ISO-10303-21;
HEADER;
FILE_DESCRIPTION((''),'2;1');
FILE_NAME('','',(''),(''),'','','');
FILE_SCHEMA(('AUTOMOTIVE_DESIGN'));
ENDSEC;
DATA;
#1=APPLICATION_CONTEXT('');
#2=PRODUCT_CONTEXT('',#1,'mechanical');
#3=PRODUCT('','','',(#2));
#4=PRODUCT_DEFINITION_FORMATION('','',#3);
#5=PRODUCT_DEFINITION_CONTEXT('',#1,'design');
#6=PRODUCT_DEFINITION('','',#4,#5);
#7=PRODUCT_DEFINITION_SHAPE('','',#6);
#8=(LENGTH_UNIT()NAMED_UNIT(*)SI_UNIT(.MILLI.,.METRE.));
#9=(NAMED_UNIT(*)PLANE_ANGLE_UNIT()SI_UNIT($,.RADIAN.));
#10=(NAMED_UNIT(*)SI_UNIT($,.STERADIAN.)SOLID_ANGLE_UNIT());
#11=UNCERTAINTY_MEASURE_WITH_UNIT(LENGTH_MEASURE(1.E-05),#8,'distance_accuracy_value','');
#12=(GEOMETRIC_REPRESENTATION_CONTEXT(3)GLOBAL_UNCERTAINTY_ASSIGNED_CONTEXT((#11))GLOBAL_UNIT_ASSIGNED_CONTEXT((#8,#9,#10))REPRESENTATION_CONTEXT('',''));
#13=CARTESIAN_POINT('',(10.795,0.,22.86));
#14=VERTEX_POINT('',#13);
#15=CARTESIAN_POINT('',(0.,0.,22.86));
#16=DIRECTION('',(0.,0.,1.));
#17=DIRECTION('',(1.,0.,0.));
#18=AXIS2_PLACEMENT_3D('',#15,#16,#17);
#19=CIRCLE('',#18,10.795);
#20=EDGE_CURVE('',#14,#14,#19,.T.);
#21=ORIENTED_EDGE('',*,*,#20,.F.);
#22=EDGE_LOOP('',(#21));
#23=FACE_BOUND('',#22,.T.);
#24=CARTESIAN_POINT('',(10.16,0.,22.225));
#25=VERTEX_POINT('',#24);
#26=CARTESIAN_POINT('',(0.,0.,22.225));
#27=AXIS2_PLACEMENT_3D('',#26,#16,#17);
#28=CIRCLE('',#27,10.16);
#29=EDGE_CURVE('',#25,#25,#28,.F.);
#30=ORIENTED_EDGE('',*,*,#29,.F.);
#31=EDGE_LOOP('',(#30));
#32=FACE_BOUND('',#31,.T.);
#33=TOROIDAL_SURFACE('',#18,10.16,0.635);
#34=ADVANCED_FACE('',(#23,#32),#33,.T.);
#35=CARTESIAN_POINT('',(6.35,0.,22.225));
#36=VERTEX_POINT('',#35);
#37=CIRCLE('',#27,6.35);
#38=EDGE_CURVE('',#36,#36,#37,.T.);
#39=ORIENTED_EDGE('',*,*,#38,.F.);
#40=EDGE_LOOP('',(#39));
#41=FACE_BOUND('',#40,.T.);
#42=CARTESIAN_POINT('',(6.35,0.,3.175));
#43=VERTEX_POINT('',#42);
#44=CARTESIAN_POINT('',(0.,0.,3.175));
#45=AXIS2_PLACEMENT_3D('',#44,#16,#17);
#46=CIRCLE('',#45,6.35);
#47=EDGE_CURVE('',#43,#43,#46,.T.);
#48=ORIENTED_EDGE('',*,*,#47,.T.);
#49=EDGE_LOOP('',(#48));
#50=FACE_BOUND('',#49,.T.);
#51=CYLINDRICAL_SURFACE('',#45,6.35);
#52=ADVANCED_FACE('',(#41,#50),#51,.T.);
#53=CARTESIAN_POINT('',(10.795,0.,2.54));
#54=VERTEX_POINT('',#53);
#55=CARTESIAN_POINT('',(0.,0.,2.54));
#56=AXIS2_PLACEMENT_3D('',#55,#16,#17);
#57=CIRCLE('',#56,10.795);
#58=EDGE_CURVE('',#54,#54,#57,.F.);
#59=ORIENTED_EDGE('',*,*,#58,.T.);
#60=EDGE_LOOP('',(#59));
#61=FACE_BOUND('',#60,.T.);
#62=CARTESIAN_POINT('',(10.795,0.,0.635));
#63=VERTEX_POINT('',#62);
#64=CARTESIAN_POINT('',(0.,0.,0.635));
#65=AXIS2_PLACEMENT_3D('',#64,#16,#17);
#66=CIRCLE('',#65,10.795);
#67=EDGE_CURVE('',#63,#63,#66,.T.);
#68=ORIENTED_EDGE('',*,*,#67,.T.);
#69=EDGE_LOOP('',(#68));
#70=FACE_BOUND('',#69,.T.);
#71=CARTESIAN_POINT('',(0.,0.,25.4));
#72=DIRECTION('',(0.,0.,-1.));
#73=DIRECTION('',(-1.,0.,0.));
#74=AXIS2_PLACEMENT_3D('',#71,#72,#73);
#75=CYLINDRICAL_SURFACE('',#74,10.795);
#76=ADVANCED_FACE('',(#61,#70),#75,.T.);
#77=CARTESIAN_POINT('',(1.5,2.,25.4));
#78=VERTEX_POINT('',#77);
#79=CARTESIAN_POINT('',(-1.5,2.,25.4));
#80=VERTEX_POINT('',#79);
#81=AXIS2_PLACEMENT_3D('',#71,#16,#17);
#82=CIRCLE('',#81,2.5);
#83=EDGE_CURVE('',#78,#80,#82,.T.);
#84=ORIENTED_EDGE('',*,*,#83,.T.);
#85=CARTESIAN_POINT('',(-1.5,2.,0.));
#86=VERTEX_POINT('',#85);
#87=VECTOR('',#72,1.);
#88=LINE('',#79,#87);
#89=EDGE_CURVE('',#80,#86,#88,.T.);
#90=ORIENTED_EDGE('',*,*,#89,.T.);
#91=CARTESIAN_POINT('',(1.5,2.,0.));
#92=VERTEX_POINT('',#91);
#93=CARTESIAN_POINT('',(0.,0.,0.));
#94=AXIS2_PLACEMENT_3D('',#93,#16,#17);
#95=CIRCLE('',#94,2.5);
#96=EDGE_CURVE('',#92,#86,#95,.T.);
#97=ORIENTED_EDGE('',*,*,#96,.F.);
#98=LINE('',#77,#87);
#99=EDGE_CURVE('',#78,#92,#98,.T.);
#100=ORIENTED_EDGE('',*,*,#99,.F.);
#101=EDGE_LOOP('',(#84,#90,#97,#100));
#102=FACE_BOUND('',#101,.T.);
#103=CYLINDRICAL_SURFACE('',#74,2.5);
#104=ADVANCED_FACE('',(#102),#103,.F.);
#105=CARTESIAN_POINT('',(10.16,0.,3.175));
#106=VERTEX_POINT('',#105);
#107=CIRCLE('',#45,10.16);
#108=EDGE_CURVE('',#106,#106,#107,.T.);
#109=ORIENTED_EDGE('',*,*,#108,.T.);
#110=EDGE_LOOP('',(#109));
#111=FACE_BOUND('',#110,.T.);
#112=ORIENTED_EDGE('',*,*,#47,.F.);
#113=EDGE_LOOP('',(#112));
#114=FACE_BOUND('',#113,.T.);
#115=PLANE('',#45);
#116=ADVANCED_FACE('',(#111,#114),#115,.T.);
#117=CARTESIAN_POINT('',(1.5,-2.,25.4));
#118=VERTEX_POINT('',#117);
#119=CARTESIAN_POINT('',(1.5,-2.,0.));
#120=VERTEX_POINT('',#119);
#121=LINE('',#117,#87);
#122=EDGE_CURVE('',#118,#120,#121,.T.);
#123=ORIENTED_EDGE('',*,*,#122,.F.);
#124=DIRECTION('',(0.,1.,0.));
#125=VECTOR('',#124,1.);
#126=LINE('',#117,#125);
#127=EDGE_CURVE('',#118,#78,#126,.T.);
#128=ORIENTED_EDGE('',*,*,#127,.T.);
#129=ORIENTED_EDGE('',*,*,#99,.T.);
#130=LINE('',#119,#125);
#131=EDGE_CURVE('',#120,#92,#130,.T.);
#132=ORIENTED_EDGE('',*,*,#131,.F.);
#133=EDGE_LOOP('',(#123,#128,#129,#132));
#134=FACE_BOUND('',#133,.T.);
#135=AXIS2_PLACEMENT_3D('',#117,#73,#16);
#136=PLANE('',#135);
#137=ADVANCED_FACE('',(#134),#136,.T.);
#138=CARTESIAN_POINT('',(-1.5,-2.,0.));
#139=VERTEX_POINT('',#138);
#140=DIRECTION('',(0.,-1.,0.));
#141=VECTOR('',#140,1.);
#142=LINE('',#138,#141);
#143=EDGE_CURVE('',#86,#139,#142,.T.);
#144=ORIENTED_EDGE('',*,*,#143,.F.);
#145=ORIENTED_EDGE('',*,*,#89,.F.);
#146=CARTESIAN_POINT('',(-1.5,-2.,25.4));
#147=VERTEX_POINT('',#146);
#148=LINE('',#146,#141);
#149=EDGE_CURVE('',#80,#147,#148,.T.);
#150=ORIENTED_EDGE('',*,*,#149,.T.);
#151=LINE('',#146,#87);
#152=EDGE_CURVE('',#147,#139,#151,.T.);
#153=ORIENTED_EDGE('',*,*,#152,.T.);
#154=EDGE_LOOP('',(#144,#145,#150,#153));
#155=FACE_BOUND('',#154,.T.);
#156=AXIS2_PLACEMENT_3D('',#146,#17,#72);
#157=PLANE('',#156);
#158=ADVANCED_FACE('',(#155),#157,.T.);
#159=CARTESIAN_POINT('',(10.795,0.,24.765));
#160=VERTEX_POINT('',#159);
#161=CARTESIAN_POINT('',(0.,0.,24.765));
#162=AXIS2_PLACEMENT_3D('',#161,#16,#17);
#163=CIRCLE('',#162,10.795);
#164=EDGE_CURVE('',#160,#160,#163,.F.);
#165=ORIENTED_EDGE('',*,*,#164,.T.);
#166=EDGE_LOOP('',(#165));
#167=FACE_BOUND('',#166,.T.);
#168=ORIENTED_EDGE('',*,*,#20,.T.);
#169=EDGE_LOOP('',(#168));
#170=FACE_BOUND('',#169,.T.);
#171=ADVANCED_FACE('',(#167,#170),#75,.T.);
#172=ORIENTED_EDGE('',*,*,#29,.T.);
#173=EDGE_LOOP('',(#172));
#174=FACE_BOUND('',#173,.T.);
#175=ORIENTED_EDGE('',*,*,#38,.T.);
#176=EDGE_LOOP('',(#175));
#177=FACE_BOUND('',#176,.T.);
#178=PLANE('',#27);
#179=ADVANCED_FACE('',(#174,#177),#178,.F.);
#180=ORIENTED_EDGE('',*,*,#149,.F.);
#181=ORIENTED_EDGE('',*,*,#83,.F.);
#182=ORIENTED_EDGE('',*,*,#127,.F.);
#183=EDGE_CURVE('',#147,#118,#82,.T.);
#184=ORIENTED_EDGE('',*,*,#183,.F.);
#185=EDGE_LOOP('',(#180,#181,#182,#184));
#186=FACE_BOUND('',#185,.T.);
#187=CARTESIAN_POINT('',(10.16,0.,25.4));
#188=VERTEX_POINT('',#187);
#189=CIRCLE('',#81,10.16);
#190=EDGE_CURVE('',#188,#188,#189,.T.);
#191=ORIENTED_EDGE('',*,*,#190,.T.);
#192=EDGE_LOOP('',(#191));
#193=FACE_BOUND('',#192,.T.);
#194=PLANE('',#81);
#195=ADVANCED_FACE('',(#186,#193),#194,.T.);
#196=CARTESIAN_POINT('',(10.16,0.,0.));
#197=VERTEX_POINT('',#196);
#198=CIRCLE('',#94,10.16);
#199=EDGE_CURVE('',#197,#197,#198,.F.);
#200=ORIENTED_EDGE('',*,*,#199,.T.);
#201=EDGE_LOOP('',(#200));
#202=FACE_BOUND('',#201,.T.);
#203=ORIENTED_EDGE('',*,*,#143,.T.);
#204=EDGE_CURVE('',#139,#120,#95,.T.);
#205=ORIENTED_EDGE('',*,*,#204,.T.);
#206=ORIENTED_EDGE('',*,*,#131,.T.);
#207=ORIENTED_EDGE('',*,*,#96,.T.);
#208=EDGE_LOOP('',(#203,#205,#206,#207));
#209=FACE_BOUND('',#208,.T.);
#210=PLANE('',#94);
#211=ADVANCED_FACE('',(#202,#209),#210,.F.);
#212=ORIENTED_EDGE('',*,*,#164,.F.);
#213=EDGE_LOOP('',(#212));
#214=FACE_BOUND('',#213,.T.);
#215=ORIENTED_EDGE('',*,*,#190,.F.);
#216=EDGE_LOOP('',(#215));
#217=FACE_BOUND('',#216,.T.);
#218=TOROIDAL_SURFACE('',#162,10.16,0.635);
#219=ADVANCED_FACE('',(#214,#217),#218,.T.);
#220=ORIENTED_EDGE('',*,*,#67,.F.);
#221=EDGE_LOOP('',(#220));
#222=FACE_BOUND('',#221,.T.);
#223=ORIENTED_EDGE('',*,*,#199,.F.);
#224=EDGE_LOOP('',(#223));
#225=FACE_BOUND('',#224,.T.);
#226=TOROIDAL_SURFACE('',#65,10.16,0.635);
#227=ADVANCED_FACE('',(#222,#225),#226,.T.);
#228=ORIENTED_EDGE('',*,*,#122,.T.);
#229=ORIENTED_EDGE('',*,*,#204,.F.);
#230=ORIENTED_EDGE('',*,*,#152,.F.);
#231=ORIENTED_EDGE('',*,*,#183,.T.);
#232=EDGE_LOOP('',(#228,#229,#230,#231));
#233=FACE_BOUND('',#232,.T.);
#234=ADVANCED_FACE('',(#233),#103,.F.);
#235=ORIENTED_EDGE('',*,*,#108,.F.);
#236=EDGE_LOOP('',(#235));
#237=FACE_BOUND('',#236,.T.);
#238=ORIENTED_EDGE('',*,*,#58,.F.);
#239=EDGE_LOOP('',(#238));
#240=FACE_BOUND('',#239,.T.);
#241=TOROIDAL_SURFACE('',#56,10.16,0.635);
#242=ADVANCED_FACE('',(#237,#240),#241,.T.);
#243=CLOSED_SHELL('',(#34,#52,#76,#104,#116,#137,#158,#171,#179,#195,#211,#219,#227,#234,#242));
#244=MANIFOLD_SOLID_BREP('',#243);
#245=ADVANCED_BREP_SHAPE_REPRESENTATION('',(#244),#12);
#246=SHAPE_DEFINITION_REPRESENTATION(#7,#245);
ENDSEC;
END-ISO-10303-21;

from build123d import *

# Parameters (mm, degrees)
SKETCH1_R           = 10.795
BOSS_EXTRUDE1_DEPTH = 25.4
SKETCH2_R           = 10.795
SKETCH2_R_2         = 6.35
CUT_EXTRUDE1_DEPTH  = 9.525
FILLET3_R           = 0.635


with BuildPart() as part:
    # Sketch1 → Boss-Extrude1 (new body)
    with BuildSketch(Plane.XY):
        Circle(SKETCH1_R)
        with BuildLine():
            Line((1.5, -2), (1.5, 2))
            ThreePointArc((1.5, 2), (0, 2.5), (-1.5, 2))
            Line((-1.5, 2), (-1.5, -2))
            ThreePointArc((-1.5, -2), (0, -2.5), (1.5, -2))
        make_face(mode=Mode.SUBTRACT)
    extrude(amount=BOSS_EXTRUDE1_DEPTH)

    # Sketch2 → Cut-Extrude1 (cut, symmetric)
    with BuildSketch(Plane.XY.offset(12.7)):
        Circle(SKETCH2_R)
        Circle(SKETCH2_R_2, mode=Mode.SUBTRACT)
    extrude(amount=CUT_EXTRUDE1_DEPTH, both=True, mode=Mode.SUBTRACT)

    # Fillet3
    fillet3_edges = [part.edges().sort_by_distance(p)[0] for p in [
        (-10.795, 0, 0),
        (-10.795, 0, 3.175),
        (-10.795, 0, 22.225),
        (-10.795, 0, 25.4),
    ]]
    fillet(fillet3_edges, radius=FILLET3_R)


solid = part.part
